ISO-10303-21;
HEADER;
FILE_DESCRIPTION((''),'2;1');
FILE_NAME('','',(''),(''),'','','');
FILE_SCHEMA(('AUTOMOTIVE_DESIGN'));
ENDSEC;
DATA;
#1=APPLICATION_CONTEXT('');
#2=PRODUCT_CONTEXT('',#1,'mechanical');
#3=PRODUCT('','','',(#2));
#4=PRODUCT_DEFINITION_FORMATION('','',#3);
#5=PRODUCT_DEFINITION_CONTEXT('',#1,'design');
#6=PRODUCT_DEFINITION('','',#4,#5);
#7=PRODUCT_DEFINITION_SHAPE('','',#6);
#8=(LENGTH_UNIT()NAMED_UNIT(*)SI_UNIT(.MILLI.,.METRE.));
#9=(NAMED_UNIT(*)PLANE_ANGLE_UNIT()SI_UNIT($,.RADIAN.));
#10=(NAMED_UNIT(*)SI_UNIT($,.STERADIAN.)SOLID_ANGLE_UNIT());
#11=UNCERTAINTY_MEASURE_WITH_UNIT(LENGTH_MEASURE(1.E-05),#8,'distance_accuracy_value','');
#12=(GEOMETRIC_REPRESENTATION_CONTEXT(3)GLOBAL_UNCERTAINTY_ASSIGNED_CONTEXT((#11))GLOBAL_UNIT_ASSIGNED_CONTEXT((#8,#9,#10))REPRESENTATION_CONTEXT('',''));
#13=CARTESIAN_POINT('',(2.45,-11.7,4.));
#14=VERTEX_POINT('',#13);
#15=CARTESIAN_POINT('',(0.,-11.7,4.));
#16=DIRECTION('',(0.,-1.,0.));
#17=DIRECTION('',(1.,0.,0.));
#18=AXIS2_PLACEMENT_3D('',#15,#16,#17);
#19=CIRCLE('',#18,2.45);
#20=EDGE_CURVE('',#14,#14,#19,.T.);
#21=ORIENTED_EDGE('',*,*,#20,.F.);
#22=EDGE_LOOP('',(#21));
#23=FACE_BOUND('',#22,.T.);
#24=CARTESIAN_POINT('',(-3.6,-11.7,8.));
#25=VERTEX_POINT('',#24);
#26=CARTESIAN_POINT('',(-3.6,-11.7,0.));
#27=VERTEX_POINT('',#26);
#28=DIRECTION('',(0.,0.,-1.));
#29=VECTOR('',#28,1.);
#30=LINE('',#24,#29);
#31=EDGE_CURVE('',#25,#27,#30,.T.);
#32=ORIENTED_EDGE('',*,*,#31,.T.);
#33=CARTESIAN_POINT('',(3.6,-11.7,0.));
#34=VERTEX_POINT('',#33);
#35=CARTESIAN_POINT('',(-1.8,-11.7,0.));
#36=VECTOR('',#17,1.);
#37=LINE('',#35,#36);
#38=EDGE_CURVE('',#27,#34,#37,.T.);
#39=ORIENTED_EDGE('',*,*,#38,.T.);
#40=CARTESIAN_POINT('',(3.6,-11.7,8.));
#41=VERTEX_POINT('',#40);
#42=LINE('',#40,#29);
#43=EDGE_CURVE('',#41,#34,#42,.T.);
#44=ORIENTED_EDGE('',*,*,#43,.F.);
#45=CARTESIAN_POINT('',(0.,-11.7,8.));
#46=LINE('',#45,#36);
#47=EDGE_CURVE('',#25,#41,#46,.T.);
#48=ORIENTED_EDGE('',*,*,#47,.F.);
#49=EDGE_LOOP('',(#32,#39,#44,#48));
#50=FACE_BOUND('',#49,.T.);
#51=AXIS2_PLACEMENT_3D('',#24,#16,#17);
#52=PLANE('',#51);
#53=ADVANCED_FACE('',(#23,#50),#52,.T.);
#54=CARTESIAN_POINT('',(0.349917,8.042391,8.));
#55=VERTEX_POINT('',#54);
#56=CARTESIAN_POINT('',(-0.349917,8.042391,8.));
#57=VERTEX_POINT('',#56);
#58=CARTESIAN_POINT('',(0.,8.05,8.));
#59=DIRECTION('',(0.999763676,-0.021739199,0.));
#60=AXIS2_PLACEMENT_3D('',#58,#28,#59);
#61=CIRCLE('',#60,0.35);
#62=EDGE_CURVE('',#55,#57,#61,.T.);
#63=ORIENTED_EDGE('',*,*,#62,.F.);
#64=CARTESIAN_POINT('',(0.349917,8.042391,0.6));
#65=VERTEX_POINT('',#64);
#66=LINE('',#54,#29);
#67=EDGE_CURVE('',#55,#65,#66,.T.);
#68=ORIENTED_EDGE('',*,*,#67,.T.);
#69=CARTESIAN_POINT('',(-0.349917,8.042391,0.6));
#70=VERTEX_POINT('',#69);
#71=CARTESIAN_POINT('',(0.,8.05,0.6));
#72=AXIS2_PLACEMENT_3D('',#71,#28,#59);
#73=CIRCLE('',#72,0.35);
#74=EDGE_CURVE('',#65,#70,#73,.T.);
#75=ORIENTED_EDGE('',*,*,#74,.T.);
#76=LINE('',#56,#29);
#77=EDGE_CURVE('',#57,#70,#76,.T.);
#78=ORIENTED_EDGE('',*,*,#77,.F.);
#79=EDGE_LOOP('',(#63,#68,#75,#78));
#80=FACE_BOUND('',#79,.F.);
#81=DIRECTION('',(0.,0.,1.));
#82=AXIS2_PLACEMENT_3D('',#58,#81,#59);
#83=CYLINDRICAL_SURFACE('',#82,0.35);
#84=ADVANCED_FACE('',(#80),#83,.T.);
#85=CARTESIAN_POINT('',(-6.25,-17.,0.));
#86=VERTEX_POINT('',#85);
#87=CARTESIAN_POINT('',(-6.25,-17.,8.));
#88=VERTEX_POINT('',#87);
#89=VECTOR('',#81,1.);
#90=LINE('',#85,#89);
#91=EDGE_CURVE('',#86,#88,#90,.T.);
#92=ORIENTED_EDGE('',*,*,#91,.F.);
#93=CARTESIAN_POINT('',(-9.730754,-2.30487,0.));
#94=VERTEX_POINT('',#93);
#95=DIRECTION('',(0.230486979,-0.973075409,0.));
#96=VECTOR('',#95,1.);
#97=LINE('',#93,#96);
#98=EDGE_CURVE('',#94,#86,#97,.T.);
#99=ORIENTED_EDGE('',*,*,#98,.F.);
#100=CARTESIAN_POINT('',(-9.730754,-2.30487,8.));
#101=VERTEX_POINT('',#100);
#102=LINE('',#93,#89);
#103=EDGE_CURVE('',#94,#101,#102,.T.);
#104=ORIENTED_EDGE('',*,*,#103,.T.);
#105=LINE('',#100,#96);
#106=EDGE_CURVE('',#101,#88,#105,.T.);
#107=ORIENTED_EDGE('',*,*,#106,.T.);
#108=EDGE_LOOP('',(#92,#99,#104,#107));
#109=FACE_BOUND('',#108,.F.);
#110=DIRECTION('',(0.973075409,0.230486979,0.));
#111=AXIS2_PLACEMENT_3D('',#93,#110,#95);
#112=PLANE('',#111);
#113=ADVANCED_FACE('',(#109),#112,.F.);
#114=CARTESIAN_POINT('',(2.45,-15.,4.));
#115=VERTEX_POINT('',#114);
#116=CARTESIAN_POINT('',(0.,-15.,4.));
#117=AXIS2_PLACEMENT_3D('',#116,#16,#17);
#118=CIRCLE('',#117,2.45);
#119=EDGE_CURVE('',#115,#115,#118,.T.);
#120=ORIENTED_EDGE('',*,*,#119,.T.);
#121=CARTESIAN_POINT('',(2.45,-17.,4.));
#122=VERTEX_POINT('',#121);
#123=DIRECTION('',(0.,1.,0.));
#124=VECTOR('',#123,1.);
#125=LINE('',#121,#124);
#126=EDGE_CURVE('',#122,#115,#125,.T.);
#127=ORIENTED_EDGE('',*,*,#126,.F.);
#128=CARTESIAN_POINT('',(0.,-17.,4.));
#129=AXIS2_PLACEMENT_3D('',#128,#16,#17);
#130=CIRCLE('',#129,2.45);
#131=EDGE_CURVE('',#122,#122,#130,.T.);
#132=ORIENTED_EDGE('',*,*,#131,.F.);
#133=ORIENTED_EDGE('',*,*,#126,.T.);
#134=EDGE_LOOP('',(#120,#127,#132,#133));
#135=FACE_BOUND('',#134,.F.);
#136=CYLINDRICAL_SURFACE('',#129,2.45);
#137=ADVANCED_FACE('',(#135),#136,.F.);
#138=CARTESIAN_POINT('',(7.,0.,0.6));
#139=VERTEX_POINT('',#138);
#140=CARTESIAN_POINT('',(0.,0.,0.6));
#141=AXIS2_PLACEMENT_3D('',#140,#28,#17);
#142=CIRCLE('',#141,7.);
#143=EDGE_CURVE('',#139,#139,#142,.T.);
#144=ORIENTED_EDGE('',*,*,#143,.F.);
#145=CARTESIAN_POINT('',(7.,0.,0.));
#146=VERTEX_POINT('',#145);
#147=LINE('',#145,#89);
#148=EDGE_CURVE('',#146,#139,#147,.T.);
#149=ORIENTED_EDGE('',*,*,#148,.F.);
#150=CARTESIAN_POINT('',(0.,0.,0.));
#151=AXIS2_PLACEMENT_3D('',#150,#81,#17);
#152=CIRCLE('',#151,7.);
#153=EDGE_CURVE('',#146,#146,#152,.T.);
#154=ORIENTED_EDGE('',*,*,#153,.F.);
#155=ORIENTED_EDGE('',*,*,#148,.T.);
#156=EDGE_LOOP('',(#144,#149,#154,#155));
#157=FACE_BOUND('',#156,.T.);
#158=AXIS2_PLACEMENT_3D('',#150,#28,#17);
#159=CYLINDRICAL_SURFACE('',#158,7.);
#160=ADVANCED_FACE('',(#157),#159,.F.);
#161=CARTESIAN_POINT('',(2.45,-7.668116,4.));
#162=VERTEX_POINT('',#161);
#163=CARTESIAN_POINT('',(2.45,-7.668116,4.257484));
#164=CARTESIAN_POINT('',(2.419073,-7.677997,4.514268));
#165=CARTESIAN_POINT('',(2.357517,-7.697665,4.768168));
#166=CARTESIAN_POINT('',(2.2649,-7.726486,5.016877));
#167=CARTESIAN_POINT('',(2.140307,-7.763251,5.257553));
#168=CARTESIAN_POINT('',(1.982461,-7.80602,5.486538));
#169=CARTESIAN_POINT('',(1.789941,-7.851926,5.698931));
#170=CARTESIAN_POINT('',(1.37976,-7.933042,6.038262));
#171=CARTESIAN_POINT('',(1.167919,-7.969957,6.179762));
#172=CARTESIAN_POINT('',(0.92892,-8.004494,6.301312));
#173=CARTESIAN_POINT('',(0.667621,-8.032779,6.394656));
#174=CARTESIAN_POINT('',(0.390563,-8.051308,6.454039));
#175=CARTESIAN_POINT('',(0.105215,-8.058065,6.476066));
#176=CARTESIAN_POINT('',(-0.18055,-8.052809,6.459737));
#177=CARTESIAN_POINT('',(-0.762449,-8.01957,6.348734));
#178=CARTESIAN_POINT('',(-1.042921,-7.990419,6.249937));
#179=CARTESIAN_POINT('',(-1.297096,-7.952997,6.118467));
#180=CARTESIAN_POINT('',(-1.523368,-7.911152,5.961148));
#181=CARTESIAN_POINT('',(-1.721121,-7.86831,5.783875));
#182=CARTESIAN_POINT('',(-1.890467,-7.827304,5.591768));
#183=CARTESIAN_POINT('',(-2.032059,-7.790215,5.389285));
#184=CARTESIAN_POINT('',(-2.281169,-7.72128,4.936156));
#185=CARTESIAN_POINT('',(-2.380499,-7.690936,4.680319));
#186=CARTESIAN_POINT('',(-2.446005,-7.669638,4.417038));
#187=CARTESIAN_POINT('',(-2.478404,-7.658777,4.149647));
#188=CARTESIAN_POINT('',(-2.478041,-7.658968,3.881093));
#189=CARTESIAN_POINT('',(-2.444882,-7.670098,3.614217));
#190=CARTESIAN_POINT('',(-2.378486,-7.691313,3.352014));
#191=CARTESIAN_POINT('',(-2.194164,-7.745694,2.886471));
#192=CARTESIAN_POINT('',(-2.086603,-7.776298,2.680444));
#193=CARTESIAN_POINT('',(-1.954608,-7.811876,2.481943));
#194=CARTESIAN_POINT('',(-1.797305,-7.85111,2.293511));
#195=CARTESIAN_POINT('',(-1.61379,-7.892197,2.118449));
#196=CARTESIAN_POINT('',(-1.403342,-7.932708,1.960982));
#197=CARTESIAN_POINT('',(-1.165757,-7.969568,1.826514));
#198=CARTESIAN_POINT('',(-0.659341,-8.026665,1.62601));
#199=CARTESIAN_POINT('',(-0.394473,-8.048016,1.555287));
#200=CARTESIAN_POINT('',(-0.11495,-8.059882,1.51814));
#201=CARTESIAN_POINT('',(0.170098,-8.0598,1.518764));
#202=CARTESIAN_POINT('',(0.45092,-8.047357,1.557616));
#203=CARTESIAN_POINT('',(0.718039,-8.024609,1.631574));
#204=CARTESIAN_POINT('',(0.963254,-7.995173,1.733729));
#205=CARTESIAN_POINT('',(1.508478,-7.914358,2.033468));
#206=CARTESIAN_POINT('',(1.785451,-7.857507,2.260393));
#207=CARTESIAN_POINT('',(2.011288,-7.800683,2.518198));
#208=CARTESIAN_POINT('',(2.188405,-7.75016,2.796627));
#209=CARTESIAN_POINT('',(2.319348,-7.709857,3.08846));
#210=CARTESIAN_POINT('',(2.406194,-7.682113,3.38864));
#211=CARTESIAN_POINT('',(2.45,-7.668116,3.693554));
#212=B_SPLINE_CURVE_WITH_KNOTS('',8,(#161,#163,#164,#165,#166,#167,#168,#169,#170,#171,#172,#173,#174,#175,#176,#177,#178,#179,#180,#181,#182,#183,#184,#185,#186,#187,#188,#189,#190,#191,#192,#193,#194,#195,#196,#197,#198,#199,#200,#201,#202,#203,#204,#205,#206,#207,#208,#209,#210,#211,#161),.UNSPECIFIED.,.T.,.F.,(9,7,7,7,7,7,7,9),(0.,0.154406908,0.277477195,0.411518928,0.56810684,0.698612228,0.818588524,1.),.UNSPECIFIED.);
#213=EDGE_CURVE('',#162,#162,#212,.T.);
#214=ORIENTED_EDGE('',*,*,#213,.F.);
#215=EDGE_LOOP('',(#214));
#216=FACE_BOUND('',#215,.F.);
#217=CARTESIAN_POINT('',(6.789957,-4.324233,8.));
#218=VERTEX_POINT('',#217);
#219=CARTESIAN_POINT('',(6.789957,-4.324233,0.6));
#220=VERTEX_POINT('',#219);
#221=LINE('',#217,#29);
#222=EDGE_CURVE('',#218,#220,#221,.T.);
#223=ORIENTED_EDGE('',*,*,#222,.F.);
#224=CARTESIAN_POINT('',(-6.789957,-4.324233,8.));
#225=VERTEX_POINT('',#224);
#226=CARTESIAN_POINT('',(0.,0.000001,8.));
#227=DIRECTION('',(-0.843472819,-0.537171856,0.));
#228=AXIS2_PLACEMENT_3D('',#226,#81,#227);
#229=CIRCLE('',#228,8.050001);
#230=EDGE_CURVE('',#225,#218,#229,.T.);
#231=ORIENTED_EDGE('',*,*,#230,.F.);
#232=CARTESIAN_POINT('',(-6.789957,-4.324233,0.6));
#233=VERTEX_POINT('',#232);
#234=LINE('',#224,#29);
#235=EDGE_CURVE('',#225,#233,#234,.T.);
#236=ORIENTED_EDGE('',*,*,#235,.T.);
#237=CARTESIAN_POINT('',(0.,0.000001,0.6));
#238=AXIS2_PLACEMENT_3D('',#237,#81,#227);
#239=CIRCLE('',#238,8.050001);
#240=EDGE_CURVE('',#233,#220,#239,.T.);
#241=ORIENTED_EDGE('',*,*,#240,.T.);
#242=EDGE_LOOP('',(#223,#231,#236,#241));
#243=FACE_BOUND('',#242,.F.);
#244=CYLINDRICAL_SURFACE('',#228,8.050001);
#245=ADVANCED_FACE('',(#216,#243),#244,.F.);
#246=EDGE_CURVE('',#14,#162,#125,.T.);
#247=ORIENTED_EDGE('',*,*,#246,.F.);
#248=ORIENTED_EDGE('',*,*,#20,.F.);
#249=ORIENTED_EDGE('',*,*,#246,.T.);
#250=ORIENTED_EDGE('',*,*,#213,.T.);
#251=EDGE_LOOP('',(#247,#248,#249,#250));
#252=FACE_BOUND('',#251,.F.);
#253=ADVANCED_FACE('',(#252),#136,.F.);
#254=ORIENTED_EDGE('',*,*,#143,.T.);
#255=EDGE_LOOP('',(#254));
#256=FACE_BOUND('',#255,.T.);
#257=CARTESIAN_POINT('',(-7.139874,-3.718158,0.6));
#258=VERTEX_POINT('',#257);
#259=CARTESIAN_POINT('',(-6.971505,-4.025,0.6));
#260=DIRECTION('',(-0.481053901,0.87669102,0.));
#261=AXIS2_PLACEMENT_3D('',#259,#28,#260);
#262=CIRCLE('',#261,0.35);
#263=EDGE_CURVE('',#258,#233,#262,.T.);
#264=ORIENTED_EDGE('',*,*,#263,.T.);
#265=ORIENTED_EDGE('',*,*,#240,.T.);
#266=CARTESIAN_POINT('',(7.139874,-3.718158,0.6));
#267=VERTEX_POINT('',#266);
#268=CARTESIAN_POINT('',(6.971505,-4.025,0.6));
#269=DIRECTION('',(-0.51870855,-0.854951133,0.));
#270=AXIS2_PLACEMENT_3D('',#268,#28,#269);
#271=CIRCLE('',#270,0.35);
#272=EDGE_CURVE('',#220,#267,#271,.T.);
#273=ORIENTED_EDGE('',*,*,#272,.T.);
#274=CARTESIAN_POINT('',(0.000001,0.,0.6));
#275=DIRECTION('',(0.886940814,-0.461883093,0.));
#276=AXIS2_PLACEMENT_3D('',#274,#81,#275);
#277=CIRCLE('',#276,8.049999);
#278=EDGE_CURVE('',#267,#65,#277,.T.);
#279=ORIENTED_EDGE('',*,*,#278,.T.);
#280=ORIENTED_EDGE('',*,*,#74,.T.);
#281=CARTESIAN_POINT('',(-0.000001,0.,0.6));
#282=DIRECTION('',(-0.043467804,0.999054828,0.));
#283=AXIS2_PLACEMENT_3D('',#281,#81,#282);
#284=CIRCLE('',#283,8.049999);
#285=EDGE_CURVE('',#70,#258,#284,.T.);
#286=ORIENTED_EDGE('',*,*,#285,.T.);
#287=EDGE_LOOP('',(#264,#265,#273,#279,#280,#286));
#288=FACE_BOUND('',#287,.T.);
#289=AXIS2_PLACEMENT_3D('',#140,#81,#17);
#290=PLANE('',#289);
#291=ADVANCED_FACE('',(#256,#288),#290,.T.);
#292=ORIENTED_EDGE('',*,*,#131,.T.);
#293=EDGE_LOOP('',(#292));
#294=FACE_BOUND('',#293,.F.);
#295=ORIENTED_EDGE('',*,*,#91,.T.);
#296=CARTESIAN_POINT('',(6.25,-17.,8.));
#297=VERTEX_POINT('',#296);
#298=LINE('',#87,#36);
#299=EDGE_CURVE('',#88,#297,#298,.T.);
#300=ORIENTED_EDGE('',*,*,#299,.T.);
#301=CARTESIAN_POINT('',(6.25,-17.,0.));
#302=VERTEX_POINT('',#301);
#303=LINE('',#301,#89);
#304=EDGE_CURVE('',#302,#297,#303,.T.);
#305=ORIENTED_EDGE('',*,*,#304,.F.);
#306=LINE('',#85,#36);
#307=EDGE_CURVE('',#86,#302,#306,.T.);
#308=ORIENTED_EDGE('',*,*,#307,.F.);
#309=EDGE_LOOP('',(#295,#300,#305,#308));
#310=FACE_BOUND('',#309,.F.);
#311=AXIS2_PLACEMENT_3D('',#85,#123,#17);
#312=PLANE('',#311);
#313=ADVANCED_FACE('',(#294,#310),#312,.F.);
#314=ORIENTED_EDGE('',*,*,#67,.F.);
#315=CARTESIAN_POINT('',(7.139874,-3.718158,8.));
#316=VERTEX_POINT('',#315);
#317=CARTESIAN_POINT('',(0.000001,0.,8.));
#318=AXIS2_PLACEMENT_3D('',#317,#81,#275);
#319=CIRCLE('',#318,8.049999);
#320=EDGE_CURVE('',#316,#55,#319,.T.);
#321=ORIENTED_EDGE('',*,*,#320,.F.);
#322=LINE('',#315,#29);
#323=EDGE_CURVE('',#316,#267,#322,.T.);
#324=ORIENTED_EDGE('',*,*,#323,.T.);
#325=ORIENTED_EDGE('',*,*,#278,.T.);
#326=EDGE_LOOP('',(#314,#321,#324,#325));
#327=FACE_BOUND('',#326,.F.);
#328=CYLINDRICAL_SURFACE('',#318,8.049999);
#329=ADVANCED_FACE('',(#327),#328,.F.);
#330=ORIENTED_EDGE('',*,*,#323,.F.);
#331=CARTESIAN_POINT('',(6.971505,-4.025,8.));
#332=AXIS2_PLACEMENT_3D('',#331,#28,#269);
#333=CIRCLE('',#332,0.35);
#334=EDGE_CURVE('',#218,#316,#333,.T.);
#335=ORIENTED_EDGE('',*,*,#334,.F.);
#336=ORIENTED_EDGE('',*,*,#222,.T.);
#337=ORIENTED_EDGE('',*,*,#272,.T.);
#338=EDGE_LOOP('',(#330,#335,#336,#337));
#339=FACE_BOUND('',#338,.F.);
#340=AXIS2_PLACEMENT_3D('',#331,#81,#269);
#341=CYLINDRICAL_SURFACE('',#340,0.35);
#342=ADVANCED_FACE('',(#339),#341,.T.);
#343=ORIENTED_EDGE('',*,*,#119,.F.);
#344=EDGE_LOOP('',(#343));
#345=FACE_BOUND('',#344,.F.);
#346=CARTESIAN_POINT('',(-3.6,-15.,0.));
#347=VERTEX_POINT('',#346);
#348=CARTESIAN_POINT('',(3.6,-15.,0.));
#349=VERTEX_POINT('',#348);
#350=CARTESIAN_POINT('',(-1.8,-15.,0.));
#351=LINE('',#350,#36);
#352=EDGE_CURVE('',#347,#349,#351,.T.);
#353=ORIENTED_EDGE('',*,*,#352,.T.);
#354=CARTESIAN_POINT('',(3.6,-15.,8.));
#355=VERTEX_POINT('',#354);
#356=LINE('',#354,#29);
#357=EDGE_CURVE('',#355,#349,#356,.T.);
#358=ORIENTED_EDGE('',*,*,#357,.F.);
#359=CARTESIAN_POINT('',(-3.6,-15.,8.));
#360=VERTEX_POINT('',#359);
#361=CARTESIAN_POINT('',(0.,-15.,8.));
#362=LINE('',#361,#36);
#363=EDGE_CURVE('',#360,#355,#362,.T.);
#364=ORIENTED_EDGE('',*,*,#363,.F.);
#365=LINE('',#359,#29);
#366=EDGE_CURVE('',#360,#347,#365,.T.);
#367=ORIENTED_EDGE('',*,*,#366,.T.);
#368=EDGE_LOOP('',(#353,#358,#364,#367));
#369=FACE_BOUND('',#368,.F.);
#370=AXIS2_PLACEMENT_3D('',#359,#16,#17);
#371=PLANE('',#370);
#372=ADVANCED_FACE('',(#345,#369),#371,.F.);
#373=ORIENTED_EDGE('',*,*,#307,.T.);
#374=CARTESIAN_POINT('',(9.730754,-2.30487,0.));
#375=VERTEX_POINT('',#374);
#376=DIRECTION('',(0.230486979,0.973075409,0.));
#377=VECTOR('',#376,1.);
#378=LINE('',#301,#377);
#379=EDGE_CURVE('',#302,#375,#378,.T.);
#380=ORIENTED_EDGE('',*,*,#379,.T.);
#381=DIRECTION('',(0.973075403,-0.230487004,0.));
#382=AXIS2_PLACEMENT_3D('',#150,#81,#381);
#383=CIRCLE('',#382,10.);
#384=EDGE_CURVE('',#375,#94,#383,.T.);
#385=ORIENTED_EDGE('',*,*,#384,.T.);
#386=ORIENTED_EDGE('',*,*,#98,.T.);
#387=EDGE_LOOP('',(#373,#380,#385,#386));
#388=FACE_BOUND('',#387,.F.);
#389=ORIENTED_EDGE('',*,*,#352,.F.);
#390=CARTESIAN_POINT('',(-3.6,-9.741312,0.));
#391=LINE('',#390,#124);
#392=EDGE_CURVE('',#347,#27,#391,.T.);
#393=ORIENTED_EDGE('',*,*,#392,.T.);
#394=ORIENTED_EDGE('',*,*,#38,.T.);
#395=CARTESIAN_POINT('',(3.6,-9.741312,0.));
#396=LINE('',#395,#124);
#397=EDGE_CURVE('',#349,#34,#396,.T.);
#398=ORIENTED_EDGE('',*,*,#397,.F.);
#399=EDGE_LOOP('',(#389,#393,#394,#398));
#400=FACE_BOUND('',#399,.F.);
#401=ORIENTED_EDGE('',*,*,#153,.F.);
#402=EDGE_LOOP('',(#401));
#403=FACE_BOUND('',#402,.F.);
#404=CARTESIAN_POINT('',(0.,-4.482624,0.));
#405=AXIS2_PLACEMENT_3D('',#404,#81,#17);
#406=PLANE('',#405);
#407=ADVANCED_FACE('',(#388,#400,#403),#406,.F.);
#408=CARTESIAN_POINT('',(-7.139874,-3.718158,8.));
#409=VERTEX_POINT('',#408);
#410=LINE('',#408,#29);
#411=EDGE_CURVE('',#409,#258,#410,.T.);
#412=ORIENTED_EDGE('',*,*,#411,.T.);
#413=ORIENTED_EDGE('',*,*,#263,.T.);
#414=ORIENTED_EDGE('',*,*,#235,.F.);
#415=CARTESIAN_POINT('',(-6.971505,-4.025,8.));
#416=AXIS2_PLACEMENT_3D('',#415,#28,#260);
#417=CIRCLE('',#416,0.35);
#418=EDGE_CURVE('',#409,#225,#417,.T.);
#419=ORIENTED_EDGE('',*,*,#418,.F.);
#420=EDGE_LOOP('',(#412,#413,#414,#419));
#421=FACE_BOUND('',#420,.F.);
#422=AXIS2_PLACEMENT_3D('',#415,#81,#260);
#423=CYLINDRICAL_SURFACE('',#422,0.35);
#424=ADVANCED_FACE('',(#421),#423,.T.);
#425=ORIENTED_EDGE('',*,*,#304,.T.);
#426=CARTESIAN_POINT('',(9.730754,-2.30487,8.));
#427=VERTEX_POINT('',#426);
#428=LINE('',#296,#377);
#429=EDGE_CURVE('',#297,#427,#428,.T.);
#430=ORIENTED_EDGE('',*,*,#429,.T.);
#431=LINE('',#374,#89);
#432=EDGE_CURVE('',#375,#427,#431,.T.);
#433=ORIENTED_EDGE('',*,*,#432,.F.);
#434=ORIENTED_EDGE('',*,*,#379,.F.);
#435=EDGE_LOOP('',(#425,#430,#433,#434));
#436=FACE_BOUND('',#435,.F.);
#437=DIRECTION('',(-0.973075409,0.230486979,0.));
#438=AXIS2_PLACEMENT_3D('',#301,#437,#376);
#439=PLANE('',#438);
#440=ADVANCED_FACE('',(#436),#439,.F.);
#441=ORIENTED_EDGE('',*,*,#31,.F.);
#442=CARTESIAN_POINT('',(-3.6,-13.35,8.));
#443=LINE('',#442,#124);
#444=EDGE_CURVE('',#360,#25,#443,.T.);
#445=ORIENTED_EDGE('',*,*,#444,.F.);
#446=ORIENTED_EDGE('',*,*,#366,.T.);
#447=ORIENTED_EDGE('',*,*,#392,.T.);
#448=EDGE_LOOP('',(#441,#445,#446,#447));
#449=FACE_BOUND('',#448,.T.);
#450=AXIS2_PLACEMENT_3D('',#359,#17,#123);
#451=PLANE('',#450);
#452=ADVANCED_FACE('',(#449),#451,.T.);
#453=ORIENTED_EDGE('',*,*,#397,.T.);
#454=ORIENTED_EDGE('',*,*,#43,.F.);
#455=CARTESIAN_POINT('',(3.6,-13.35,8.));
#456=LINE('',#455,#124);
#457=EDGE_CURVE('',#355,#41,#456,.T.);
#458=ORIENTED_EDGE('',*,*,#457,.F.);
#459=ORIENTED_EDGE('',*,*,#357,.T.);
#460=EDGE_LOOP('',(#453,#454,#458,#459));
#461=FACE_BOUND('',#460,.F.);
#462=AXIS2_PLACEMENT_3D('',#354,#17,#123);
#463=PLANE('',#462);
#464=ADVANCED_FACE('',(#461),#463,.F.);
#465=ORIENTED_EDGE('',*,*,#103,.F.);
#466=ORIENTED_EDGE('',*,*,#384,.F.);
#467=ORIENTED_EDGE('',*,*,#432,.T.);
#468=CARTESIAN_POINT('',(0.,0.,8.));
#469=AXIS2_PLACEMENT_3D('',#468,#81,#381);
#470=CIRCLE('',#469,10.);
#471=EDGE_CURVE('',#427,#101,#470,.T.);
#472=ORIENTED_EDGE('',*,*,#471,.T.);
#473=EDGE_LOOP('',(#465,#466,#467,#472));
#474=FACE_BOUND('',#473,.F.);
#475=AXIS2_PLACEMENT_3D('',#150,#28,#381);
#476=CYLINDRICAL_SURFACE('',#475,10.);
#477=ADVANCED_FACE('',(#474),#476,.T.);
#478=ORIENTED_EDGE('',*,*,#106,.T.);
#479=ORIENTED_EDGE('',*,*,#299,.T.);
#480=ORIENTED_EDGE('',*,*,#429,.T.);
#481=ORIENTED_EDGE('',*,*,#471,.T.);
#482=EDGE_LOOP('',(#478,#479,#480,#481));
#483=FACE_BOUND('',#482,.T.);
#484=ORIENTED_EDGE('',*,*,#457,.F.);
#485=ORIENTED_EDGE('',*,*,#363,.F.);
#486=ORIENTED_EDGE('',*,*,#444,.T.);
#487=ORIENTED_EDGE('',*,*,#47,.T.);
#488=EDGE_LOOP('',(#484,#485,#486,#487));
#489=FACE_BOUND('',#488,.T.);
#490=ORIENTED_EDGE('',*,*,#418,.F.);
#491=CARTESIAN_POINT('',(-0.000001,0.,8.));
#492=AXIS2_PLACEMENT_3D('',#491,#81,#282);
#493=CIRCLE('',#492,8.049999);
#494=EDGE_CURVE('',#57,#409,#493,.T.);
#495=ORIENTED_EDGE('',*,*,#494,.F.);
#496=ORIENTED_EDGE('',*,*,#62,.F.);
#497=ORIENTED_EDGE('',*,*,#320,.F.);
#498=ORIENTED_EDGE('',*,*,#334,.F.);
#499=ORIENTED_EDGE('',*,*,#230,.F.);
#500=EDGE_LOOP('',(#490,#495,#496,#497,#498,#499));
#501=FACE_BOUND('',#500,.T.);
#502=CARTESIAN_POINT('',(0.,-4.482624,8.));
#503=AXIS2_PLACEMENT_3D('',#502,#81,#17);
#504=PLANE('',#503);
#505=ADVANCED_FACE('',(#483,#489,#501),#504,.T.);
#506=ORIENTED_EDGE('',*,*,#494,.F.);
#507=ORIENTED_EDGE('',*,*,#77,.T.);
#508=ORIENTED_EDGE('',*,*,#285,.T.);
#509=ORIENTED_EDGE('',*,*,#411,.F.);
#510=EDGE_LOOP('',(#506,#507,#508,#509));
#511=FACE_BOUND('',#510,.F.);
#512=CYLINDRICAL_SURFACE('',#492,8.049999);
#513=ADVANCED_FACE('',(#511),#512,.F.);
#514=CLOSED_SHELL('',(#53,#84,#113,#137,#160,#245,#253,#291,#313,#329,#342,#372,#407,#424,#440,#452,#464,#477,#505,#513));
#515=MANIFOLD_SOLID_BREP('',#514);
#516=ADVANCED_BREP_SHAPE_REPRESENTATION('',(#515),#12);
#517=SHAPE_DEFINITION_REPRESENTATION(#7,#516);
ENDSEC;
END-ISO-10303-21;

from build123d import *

# Parameters (mm, degrees)
F0_R     = 7
F1_DEPTH = 8
F3_DEPTH = 7.4
F4_R     = 2.45
F5_DEPTH = 12
F6_W     = 7.2
F6_H     = 3.3
F7_DEPTH = 8.001


with BuildPart() as f1:
    # F0 (on Top) → F1 (new body)
    with BuildSketch(Plane.XY):
        with BuildLine():
            Line((6.25, -17), (9.730754, -2.30487))
            ThreePointArc((9.730754, -2.30487), (0, 10), (-9.730754, -2.30487))
            Line((-9.730754, -2.30487), (-6.25, -17))
            Line((-6.25, -17), (6.25, -17))
        make_face()
        Circle(F0_R, mode=Mode.SUBTRACT)
    extrude(amount=F1_DEPTH)

    # F2 (on face) → F3 (cut)
    with BuildSketch(Plane.XY.offset(8)):
        with BuildLine():
            ThreePointArc((0.349917, 8.042391), (0, 7.7), (-0.349917, 8.042391))
            ThreePointArc((-0.349917, 8.042391), (-6.971505, 4.025), (-7.139874, -3.718158))
            ThreePointArc((-7.139874, -3.718158), (-6.668396, -3.85), (-6.789957, -4.324233))
            ThreePointArc((-6.789957, -4.324233), (0, -8.05), (6.789957, -4.324233))
            ThreePointArc((6.789957, -4.324233), (6.668396, -3.85), (7.139874, -3.718158))
            ThreePointArc((7.139874, -3.718158), (6.971505, 4.025), (0.349917, 8.042391))
        make_face()
    extrude(amount=-F3_DEPTH, mode=Mode.SUBTRACT)

    # F4 (on face) → F5 (cut)
    with BuildSketch(Plane.XZ.offset(17)):
        with Locations((0, 4)):
            Circle(F4_R)
    extrude(amount=-F5_DEPTH, mode=Mode.SUBTRACT)

    # F6 (on face) → F7 (cut, through all)
    with BuildSketch(Plane.XY.offset(8)):
        with Locations((0, -13.35)):
            Rectangle(F6_W, F6_H)
    extrude(amount=-F7_DEPTH, mode=Mode.SUBTRACT)


solid = f1.part
